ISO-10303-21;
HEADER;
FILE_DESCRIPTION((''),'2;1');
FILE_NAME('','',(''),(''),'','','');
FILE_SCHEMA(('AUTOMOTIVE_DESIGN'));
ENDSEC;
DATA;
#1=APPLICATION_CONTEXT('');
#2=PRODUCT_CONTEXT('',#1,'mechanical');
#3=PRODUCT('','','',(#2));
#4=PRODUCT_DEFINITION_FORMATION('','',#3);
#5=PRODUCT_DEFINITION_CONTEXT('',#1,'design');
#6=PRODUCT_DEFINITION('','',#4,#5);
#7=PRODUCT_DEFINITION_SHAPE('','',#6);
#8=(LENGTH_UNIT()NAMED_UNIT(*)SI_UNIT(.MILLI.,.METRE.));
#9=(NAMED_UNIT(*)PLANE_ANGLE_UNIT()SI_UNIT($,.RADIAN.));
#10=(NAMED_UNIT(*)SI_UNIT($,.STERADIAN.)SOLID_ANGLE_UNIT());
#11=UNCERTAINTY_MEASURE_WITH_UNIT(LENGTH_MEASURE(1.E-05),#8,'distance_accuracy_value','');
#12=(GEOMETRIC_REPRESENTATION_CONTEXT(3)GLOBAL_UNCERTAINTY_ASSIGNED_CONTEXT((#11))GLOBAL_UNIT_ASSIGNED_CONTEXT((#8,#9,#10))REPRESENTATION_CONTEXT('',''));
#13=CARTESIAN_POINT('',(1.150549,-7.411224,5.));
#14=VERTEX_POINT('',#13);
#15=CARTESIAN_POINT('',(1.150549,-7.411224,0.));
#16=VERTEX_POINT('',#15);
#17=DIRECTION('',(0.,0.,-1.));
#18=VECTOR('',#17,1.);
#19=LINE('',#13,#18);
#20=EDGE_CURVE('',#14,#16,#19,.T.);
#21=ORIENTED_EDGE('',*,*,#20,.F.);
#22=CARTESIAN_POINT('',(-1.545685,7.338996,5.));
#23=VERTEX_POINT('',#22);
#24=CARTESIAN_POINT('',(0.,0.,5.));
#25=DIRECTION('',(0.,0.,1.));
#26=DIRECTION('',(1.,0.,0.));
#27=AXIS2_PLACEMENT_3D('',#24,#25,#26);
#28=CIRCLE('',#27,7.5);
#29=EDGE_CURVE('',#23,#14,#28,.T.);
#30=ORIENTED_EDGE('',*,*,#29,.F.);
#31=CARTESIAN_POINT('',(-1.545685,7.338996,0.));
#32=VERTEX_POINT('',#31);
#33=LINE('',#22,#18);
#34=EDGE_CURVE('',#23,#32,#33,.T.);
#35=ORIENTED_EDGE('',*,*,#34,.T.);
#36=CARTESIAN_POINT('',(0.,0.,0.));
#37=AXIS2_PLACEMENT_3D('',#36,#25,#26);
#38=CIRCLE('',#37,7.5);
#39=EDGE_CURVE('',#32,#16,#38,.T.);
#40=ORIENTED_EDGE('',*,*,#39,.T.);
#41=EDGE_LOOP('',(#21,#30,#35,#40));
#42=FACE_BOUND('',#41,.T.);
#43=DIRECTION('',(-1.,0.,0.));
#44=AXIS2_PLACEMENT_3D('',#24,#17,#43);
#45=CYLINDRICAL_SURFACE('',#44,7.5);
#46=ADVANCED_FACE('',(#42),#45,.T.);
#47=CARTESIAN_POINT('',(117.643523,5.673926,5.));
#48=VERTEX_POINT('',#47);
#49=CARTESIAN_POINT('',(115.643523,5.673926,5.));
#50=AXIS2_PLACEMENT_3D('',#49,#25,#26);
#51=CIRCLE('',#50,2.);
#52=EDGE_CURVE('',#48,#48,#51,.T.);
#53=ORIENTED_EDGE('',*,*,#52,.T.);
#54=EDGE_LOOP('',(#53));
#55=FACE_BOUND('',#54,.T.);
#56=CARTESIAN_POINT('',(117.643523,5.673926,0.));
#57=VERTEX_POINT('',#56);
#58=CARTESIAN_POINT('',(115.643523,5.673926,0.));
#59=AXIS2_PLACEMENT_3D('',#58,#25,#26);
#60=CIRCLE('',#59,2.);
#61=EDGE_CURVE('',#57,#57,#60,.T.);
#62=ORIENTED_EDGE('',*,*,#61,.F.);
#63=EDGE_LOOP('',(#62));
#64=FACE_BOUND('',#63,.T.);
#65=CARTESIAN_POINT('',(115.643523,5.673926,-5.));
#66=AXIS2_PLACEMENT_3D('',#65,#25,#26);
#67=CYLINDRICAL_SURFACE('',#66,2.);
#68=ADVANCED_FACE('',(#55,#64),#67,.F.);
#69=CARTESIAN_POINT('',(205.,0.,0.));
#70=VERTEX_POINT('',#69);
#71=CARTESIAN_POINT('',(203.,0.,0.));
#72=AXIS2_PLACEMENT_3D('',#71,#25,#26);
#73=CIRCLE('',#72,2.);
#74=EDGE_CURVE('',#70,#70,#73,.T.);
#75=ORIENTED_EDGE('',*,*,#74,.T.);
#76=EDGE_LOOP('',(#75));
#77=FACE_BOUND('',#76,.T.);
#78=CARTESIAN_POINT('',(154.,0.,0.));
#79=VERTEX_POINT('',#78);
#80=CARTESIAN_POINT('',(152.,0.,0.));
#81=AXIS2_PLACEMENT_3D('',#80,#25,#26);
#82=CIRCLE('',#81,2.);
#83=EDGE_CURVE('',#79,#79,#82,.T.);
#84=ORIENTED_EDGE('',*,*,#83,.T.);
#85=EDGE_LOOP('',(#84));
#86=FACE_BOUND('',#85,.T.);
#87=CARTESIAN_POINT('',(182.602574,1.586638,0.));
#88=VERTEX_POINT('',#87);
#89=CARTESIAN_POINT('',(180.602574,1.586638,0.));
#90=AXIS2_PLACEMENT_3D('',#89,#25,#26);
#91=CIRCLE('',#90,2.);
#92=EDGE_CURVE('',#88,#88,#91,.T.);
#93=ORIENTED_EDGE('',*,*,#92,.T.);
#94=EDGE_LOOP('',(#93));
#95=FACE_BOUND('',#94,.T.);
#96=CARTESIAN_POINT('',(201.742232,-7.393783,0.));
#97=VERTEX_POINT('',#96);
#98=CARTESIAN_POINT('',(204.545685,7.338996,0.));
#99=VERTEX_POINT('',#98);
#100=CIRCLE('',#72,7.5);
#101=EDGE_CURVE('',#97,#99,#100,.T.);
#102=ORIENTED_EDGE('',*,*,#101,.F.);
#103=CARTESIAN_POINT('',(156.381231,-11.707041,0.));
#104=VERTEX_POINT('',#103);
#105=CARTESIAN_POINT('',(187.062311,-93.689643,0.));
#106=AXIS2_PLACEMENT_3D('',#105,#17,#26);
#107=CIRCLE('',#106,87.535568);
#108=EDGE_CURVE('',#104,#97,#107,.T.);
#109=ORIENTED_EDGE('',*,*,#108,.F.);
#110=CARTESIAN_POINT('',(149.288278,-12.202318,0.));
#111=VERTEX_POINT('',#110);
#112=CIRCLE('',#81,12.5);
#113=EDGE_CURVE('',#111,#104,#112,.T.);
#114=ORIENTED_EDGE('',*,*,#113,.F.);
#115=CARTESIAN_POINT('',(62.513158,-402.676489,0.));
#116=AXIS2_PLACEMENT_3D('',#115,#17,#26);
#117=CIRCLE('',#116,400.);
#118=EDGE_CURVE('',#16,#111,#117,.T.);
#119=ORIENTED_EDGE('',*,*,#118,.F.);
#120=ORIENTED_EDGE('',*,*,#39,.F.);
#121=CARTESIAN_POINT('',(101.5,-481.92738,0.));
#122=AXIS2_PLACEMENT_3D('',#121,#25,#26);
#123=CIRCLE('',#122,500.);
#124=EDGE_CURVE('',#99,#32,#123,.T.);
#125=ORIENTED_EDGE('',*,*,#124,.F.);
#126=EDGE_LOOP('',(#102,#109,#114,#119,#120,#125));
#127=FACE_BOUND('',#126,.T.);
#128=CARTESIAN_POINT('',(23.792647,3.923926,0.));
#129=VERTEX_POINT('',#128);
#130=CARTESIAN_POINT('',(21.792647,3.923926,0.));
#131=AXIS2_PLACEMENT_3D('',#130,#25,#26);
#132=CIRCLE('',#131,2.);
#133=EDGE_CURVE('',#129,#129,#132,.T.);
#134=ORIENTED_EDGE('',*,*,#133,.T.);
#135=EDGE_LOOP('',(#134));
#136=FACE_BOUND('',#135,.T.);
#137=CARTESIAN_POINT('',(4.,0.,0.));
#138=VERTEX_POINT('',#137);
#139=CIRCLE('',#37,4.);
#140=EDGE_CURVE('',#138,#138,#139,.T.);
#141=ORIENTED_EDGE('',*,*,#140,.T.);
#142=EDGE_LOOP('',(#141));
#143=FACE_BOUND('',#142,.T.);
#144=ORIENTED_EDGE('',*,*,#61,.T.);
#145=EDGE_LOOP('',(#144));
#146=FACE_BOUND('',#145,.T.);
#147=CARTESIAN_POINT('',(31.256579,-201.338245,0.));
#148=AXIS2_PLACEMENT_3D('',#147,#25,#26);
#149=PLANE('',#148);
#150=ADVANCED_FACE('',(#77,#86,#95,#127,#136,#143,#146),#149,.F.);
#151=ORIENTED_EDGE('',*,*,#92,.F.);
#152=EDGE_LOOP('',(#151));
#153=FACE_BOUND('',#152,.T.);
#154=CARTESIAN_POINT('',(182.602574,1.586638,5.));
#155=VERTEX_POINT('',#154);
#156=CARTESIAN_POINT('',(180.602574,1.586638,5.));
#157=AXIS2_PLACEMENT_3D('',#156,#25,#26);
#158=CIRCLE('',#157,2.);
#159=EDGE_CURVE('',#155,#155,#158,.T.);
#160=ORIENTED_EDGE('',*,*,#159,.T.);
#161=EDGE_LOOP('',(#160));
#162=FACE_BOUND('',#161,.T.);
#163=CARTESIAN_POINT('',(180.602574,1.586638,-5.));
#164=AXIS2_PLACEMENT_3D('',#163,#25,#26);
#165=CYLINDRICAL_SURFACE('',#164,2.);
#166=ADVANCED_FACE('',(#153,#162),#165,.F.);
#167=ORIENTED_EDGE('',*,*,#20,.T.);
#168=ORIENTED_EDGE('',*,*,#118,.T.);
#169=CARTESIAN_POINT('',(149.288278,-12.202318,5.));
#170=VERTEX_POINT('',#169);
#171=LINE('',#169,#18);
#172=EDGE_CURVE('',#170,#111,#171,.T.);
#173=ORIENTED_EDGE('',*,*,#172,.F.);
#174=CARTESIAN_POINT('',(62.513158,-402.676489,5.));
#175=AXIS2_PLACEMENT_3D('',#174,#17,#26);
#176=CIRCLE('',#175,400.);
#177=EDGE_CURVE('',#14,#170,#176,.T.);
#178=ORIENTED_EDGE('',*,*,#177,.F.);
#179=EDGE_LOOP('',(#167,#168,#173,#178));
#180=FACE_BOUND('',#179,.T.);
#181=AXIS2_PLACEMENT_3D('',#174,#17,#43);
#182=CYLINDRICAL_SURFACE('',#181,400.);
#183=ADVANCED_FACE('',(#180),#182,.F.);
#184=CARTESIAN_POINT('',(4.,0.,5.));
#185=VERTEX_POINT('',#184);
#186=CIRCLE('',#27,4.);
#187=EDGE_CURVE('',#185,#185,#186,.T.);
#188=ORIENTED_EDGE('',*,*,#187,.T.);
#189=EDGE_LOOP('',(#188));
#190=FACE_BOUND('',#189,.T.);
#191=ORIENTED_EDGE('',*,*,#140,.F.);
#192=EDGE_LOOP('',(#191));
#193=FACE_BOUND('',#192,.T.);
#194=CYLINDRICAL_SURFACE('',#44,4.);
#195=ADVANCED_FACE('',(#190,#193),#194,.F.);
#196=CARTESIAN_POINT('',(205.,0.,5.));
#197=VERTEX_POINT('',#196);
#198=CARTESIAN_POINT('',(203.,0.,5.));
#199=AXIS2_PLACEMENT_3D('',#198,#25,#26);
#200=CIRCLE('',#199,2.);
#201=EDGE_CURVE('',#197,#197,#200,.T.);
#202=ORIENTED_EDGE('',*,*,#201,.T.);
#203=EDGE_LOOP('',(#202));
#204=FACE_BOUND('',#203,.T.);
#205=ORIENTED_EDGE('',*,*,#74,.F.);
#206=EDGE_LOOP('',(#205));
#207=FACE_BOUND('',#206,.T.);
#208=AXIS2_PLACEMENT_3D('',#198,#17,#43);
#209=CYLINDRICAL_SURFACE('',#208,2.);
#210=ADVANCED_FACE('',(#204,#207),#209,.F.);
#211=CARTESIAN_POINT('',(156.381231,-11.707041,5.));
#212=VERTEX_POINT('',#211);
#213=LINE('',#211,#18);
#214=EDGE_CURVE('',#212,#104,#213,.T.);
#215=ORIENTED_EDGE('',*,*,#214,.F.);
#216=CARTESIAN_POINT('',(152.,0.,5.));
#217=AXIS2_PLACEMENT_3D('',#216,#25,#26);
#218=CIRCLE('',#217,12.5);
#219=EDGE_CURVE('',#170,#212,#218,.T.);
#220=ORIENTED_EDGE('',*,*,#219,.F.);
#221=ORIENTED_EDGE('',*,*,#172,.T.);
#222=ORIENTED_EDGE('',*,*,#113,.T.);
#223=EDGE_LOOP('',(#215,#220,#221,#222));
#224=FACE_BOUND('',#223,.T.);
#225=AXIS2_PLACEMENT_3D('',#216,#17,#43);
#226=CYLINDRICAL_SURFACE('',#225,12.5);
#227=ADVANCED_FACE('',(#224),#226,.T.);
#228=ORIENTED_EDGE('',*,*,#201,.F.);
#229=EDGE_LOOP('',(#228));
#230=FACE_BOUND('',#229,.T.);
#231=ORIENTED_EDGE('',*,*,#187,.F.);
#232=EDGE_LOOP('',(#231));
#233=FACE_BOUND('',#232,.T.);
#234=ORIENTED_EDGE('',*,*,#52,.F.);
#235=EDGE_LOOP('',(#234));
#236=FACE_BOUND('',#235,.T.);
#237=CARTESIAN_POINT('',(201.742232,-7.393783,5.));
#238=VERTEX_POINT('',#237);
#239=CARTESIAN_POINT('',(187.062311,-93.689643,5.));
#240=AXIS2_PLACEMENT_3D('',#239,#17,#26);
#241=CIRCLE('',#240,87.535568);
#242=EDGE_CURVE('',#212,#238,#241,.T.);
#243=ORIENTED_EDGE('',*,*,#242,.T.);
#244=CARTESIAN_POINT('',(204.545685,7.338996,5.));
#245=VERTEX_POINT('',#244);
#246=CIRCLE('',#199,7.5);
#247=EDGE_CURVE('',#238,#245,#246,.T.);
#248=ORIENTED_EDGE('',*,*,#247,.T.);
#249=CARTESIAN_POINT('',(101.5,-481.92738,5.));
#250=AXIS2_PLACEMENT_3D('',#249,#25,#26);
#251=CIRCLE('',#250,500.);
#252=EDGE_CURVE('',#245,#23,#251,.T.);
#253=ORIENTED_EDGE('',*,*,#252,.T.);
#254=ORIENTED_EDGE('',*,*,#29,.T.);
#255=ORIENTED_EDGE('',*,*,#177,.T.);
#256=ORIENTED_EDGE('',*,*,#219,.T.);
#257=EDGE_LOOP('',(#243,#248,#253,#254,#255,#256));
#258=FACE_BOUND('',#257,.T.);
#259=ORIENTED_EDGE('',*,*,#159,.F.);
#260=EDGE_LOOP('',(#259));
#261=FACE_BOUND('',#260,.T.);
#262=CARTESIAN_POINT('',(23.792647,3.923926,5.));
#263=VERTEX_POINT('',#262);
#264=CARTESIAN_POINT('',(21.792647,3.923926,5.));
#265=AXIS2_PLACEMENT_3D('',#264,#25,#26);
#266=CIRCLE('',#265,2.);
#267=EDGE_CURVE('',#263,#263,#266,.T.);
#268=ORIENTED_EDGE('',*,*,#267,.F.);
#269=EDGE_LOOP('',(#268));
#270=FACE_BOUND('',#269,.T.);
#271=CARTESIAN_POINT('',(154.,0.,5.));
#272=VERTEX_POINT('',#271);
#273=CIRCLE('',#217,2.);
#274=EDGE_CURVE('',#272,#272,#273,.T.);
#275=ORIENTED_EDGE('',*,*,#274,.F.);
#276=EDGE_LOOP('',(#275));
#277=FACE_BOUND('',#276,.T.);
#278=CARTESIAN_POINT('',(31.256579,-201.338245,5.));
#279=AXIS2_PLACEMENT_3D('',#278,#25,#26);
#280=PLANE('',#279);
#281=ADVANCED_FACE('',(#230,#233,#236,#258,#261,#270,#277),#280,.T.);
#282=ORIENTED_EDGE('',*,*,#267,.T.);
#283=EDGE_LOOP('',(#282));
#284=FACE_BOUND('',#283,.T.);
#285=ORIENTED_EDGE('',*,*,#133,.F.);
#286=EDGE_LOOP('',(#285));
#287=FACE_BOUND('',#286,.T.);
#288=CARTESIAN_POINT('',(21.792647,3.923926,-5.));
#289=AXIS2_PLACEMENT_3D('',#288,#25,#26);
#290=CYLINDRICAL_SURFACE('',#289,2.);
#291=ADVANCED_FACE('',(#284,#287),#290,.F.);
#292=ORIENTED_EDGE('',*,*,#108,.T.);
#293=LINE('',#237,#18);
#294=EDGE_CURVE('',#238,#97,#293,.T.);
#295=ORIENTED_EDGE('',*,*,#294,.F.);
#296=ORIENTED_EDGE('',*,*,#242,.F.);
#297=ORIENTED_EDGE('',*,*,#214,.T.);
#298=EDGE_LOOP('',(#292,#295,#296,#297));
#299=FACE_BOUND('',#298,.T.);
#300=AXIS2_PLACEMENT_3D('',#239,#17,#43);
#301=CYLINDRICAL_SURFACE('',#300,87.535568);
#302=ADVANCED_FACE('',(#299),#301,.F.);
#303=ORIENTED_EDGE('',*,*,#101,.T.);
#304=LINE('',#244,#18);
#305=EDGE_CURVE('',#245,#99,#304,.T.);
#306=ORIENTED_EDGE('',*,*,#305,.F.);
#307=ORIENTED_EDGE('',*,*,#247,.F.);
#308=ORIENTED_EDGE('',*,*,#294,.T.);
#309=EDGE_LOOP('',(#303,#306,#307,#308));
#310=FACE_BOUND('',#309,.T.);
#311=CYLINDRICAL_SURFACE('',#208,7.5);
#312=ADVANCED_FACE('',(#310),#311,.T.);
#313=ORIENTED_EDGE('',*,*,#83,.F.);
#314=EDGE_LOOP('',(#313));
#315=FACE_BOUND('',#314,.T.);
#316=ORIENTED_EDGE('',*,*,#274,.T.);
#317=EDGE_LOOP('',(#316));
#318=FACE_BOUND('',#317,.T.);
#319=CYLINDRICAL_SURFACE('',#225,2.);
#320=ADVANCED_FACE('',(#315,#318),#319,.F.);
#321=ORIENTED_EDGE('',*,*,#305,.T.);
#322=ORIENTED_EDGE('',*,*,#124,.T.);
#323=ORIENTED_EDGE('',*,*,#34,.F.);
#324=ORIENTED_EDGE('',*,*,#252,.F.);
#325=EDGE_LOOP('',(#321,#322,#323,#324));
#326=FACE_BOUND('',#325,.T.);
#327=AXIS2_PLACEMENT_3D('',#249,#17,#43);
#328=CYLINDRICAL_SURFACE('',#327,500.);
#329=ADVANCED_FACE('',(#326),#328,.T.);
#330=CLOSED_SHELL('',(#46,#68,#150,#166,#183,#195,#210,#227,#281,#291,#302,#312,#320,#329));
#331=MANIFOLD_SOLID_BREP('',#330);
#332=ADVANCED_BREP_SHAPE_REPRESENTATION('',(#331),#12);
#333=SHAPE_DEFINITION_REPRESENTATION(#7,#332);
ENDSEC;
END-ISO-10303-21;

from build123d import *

# Parameters (mm, degrees)
SCHIZZO1_R                   = 4
SCHIZZO1_R_2                 = 2
ESTRUSIONE_ESTRUSIONE1_DEPTH = 5
SCHIZZO2_R                   = 2
TAGLIO_ESTRUSIONE1_DEPTH     = 10


with BuildPart() as part:
    # Schizzo1 → Estrusione-Estrusione1 (new body)
    with BuildSketch(Plane.XY):
        with BuildLine():
            ThreePointArc((-1.545685279, 7.338995641), (-7.37775549, -1.348600733), (1.150548918, -7.411223731))
            ThreePointArc((1.150548918, -7.411223731), (75.443261143, -2.885528453), (149.288277512, -12.20231786))
            ThreePointArc((149.288277512, -12.20231786), (152.870711747, -12.469637567), (156.381230514, -11.707041436))
            ThreePointArc((156.381230514, -11.707041436), (178.7761584, -6.547142951), (201.742232266, -7.393782545))
            ThreePointArc((201.742232266, -7.393782545), (210.367795627, -1.401994151), (204.545685279, 7.338995641))
            ThreePointArc((204.545685279, 7.338995641), (101.5, 18.072619578), (-1.545685279, 7.338995641))
        make_face()
        Circle(SCHIZZO1_R, mode=Mode.SUBTRACT)
        with Locations((203, 0)):
            Circle(SCHIZZO1_R_2, mode=Mode.SUBTRACT)
        with Locations((152, 0)):
            Circle(SCHIZZO1_R_2, mode=Mode.SUBTRACT)
    extrude(amount=ESTRUSIONE_ESTRUSIONE1_DEPTH)

    # Schizzo2 → Taglio-Estrusione1 (cut)
    with BuildSketch(Plane.XY.offset(5)):
        with Locations((21.792647349, 3.923925867)):
            Circle(SCHIZZO2_R)
        with Locations((115.643522851, 5.673925867)):
            Circle(SCHIZZO2_R)
        with Locations((180.602574062, 1.58663817)):
            Circle(SCHIZZO2_R)
    extrude(amount=-TAGLIO_ESTRUSIONE1_DEPTH, mode=Mode.SUBTRACT)


solid = part.part
